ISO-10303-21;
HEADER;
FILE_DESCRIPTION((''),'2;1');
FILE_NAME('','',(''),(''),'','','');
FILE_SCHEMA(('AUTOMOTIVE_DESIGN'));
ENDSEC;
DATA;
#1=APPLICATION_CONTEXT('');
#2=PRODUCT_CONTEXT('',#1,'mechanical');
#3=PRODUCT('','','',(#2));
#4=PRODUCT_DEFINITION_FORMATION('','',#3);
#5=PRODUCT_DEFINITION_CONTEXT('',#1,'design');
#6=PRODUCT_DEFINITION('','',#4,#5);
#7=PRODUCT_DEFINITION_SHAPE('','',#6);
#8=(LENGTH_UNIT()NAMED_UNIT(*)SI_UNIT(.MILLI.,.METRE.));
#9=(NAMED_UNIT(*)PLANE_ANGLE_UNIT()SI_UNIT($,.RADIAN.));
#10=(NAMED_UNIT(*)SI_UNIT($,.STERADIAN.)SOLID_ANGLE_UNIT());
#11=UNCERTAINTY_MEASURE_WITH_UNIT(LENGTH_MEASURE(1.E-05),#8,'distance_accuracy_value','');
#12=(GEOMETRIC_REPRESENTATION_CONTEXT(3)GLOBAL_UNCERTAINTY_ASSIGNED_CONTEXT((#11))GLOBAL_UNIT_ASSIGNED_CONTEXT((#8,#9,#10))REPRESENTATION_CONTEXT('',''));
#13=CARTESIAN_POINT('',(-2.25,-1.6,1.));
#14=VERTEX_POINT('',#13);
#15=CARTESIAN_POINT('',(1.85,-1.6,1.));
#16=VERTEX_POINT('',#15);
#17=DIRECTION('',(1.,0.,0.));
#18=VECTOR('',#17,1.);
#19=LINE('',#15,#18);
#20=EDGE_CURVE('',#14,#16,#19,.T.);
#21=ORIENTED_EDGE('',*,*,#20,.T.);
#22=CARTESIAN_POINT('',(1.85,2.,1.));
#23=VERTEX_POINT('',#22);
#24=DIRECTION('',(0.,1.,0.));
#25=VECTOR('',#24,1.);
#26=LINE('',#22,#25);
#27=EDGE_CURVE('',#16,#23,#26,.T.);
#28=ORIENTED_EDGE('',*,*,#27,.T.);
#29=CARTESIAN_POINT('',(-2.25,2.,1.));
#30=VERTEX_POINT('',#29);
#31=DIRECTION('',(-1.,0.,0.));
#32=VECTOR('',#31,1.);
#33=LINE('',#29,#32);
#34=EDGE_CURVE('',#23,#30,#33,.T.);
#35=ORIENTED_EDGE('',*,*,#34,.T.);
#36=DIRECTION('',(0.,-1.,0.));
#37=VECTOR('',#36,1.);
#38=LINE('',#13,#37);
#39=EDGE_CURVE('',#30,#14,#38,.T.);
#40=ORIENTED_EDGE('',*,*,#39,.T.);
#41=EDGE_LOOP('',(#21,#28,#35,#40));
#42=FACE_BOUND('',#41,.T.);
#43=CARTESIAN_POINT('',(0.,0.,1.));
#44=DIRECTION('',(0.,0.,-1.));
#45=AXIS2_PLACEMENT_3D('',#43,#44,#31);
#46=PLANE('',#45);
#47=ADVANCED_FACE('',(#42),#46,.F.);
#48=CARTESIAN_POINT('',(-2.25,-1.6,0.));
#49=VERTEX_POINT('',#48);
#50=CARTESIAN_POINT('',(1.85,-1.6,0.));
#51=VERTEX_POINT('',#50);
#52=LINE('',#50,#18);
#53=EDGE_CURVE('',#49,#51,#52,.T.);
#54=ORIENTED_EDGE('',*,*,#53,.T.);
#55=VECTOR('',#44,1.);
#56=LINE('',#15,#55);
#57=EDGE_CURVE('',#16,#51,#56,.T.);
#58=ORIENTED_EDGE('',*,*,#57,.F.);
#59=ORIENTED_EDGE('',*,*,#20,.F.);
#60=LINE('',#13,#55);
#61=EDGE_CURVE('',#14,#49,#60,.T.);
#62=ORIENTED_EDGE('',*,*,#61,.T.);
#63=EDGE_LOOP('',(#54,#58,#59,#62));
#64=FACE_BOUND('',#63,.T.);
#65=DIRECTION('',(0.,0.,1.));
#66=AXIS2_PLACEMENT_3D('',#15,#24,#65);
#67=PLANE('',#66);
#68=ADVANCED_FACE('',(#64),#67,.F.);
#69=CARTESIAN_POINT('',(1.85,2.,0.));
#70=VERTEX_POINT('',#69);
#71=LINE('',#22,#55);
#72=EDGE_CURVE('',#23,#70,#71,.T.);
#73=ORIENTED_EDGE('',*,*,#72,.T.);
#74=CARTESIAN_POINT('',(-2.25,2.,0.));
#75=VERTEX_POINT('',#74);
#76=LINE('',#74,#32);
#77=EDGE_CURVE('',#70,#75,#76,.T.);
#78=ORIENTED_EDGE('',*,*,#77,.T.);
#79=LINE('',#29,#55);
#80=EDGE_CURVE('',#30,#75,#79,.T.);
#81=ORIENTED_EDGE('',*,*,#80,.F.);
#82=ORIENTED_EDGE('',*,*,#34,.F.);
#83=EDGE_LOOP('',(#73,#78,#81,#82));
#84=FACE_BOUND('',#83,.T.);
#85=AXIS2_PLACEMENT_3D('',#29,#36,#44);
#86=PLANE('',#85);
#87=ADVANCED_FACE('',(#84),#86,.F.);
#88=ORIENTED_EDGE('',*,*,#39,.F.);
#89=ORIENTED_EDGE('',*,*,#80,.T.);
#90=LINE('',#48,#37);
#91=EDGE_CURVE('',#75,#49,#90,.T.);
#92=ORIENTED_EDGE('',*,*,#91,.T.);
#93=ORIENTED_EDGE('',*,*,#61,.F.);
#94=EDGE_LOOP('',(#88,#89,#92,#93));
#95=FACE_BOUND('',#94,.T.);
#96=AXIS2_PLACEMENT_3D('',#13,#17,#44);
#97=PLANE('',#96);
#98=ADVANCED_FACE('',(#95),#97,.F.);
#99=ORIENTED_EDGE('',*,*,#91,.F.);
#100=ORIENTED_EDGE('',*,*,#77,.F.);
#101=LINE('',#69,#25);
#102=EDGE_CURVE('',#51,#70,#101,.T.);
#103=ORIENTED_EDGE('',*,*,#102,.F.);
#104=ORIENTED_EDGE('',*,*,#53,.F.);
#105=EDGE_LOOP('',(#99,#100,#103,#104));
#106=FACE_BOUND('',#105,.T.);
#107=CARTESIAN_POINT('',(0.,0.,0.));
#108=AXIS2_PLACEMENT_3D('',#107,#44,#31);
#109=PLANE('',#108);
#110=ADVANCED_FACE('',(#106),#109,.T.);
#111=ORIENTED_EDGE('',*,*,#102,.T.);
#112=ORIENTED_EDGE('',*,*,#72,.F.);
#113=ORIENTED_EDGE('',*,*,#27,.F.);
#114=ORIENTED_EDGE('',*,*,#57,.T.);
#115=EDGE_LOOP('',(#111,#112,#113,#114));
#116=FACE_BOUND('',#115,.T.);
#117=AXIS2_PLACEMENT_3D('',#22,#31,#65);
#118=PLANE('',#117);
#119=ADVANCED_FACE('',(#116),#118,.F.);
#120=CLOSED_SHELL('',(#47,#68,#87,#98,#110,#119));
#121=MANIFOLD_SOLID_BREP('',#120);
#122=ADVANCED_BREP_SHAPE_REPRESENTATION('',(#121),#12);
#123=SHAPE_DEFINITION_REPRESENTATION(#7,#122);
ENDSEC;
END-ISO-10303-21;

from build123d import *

# Parameters (mm, degrees)
SKETCH1_W               = 4.1
SKETCH1_H               = 3.6
COMPONENT_OUTLINE_DEPTH = 1


with BuildPart() as part:
    # Sketch1 → Component_Outline (new body)
    with BuildSketch(Plane.XY):
        with Locations((-0.2, 0.2)):
            Rectangle(SKETCH1_W, SKETCH1_H)
    extrude(amount=COMPONENT_OUTLINE_DEPTH)


solid = part.part
